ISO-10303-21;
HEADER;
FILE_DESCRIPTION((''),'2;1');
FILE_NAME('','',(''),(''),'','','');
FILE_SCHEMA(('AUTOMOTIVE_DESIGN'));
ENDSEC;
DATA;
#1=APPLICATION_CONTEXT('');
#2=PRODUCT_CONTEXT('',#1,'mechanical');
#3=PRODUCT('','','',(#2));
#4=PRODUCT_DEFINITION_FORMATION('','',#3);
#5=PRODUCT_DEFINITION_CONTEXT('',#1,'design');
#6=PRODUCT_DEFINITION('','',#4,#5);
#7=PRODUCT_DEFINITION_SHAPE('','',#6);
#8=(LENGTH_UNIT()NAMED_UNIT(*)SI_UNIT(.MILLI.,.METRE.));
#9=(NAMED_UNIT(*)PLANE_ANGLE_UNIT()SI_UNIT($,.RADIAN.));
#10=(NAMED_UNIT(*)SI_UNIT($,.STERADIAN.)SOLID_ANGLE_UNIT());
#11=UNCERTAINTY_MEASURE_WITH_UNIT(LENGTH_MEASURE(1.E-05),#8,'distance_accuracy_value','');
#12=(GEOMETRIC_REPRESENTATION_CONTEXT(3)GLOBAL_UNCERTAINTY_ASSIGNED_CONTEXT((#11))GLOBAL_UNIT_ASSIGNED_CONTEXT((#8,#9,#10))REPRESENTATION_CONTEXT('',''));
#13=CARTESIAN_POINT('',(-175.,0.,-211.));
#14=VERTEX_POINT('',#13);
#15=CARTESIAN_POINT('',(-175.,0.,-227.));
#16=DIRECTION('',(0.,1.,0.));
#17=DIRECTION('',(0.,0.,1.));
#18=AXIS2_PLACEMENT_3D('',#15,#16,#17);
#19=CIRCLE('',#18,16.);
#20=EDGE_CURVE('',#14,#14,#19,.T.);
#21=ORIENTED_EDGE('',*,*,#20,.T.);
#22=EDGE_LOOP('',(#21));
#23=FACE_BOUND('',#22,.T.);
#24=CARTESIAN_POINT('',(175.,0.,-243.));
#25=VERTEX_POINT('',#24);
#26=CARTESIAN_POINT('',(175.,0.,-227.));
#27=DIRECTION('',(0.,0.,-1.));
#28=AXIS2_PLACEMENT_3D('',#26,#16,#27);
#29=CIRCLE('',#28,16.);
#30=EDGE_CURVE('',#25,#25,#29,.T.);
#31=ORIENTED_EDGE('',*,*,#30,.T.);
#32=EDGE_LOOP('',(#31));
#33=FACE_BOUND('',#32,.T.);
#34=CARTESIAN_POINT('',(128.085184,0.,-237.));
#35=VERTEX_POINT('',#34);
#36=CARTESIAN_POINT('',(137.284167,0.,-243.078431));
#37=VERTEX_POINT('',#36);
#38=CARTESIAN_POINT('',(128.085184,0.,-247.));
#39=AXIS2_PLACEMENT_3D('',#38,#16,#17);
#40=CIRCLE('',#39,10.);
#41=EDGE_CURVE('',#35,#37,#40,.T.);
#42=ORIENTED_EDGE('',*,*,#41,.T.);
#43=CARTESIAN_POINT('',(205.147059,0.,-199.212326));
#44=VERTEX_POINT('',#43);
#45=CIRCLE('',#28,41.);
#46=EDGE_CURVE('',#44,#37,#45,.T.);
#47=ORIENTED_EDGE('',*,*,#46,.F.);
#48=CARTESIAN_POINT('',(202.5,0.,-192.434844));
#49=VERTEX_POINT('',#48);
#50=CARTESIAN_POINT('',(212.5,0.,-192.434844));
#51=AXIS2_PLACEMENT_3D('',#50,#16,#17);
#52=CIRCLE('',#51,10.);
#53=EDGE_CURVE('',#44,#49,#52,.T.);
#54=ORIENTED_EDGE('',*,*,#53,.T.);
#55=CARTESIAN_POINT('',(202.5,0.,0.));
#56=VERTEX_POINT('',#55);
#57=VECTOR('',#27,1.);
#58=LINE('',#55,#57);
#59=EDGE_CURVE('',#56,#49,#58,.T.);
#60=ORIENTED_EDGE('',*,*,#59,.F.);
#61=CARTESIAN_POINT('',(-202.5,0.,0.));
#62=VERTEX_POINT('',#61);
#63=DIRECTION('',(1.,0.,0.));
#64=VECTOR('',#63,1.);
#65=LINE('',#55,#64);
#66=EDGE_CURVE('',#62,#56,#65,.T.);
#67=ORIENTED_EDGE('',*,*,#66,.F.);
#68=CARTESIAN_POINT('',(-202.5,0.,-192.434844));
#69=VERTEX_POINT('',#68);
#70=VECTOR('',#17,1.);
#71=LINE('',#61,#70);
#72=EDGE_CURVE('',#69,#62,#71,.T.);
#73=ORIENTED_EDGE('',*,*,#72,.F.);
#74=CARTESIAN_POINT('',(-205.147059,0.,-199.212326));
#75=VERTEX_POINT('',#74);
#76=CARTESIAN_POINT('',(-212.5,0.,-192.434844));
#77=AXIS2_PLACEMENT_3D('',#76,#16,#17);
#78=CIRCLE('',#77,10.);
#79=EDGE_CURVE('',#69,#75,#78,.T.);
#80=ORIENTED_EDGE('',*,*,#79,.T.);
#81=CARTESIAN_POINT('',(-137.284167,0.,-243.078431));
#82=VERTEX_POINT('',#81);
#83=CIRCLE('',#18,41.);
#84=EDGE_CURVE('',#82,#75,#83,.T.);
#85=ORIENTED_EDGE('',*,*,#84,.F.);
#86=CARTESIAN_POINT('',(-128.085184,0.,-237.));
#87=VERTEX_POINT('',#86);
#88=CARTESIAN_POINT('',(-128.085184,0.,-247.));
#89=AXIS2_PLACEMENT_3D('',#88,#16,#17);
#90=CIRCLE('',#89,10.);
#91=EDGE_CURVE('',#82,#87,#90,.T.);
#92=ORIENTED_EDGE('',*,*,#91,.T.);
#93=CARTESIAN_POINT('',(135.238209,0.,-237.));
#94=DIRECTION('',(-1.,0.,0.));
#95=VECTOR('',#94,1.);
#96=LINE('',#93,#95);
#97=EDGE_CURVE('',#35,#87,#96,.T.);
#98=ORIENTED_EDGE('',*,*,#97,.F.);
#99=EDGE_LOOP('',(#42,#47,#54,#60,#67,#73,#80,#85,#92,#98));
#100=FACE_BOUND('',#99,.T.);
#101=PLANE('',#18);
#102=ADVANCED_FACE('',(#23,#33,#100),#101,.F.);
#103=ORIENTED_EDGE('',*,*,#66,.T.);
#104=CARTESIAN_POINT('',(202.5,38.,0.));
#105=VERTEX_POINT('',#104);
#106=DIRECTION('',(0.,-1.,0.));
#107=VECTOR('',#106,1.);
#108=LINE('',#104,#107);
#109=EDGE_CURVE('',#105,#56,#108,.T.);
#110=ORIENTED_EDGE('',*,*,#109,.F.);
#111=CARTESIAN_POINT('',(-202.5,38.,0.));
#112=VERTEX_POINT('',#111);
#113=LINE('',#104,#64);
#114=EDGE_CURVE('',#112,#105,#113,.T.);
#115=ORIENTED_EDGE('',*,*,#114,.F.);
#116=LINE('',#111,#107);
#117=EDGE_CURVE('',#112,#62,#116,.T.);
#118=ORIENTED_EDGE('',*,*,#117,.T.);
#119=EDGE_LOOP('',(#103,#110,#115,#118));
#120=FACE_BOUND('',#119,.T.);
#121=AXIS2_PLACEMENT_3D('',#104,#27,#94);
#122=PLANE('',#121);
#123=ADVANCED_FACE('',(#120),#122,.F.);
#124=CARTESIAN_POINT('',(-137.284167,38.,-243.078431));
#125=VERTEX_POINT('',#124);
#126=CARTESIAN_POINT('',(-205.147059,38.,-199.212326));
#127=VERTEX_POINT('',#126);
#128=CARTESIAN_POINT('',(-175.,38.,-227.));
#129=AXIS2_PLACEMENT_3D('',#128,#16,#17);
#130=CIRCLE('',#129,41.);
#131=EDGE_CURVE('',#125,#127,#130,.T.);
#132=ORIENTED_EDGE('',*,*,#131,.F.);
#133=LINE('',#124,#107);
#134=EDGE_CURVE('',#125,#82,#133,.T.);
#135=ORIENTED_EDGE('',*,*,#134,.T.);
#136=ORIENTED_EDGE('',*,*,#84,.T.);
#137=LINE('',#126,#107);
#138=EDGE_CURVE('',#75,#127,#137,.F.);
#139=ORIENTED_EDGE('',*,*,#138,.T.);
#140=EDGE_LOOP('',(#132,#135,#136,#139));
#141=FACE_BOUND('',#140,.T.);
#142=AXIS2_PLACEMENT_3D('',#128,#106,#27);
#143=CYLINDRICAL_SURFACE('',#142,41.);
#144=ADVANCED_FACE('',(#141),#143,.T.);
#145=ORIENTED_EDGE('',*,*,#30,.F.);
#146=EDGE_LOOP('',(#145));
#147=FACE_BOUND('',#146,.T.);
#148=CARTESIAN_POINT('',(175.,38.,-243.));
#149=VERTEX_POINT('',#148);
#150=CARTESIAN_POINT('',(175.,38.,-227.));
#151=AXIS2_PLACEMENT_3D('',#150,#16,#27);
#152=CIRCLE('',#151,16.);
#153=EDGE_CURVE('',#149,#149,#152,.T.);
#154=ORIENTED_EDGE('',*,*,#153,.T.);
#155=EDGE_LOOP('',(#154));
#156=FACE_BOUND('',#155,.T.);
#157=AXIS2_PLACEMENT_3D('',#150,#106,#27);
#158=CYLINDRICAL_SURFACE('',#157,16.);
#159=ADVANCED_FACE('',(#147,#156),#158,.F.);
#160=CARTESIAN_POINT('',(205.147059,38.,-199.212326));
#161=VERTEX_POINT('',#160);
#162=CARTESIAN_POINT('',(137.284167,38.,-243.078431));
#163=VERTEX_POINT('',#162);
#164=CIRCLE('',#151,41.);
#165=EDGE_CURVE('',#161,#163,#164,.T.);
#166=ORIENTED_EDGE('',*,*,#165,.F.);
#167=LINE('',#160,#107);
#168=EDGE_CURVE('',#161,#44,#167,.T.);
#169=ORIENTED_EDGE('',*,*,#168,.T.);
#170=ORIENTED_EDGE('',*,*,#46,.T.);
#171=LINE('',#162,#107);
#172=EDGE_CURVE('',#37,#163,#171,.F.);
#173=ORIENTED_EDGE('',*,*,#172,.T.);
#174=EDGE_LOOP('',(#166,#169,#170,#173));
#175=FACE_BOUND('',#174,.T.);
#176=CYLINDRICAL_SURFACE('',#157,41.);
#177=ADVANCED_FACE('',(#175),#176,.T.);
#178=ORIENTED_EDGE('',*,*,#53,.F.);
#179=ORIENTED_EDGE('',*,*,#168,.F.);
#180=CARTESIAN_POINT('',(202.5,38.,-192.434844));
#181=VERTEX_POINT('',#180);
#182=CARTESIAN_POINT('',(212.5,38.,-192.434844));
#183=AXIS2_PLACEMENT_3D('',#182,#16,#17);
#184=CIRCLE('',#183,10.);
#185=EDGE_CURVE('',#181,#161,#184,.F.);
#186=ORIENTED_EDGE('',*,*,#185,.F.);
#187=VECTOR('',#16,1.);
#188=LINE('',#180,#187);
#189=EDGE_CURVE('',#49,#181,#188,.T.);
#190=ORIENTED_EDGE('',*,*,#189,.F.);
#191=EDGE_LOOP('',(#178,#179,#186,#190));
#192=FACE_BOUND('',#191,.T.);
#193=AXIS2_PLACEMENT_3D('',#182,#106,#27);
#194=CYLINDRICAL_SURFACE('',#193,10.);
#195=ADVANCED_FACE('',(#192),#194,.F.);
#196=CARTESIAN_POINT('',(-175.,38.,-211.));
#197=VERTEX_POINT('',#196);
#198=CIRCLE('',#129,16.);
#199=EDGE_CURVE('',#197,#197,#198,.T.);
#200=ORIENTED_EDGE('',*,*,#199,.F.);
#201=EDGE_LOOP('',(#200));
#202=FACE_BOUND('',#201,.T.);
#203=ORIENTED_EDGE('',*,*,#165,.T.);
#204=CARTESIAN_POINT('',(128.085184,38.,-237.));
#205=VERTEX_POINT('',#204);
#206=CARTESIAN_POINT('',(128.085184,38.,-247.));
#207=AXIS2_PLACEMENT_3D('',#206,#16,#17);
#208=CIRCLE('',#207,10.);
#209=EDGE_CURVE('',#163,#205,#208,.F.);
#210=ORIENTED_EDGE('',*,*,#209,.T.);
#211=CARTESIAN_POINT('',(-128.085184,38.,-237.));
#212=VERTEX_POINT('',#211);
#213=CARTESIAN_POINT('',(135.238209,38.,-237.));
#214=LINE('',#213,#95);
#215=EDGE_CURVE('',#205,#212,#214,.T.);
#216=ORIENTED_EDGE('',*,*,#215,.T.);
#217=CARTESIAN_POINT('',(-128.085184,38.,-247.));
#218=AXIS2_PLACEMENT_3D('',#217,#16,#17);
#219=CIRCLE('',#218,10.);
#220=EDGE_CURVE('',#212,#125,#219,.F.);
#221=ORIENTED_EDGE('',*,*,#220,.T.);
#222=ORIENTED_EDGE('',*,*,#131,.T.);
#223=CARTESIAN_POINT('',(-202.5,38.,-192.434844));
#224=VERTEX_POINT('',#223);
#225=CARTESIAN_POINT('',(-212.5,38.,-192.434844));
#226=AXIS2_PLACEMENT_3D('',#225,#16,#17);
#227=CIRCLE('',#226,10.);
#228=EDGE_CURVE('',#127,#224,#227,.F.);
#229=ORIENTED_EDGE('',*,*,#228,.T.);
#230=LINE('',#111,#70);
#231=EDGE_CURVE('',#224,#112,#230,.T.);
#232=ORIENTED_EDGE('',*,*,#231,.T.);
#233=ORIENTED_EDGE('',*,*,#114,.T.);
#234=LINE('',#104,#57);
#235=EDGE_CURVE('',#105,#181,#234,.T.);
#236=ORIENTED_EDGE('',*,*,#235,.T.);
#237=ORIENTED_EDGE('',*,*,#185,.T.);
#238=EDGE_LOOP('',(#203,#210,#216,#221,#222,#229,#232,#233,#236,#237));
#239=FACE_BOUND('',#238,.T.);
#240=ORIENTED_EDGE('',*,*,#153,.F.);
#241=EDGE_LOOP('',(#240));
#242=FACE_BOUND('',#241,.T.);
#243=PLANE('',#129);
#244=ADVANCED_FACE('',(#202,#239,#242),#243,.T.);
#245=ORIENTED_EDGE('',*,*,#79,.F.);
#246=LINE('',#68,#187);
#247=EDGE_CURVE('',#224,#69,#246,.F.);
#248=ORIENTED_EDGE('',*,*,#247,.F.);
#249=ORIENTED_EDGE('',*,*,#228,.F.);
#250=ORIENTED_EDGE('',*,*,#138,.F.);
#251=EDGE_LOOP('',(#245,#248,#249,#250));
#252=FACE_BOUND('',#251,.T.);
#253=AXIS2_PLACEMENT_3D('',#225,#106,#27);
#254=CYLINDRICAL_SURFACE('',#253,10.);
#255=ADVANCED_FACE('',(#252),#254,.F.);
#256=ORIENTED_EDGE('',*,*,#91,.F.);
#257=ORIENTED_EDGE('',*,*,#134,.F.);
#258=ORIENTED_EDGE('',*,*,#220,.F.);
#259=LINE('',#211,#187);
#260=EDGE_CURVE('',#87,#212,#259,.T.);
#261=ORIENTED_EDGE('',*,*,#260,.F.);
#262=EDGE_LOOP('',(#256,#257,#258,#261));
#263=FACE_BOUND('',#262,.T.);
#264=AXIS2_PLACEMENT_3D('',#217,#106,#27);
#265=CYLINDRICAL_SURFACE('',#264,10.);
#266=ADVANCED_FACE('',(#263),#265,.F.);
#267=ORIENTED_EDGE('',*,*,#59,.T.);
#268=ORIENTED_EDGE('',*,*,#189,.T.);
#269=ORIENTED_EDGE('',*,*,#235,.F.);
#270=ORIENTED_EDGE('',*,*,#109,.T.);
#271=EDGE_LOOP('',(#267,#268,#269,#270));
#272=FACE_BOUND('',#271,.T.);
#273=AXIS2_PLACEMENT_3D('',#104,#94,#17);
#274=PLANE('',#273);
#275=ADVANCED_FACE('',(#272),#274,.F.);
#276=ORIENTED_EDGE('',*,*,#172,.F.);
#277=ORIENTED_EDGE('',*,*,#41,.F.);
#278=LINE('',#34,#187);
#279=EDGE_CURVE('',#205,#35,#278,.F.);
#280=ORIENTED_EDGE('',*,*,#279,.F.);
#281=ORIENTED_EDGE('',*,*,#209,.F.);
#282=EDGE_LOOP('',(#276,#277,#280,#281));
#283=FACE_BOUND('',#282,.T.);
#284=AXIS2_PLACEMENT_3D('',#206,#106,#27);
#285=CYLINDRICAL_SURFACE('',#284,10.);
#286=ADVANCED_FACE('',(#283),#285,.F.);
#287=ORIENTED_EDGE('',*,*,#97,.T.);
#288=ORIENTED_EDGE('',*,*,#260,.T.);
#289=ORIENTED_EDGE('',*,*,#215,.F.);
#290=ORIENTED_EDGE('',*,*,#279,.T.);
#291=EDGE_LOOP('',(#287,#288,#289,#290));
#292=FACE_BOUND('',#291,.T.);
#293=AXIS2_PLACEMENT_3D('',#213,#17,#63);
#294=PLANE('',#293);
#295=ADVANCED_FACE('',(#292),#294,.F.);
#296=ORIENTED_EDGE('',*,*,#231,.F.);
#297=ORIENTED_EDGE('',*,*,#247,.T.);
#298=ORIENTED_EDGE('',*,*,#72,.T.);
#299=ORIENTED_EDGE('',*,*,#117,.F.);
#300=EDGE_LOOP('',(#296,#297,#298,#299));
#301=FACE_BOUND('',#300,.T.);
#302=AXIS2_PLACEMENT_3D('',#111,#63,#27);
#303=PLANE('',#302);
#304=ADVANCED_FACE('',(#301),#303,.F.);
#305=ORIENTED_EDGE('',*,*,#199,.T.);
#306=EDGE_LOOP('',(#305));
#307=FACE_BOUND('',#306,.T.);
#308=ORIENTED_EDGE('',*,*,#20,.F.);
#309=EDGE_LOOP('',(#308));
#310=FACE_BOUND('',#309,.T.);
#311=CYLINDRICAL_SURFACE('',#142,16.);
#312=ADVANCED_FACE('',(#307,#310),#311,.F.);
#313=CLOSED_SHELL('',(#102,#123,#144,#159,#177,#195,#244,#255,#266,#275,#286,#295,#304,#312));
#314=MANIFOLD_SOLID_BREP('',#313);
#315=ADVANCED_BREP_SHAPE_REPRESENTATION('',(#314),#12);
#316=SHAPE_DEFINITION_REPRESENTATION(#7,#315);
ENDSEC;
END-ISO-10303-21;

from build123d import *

# Parameters (mm, degrees)
SKETCH1_R           = 16
BOSS_EXTRUDE1_DEPTH = 38
FILLET1_R           = 10


with BuildPart() as part:
    # Sketch1 → Boss-Extrude1 (new body)
    with BuildSketch(Plane(origin=(0, 0, 0), x_dir=(1, 0, 0), z_dir=(0, 1, 0))):
        with BuildLine():
            Line((202.5, 0), (-202.5, 0))
            Line((-202.5, 0), (-202.5, 196.590297601))
            ThreePointArc((-202.5, 196.590297601), (-196.114542141, 262.145072346), (-135.238209296, 237))
            Line((-135.238209296, 237), (135.238209296, 237))
            ThreePointArc((135.238209296, 237), (196.114542141, 262.145072346), (202.5, 196.590297601))
            Line((202.5, 196.590297601), (202.5, 0))
        make_face()
        with Locations((-175, 227)):
            Circle(SKETCH1_R, mode=Mode.SUBTRACT)
        with Locations((175, 227)):
            Circle(SKETCH1_R, mode=Mode.SUBTRACT)
    extrude(amount=BOSS_EXTRUDE1_DEPTH)

    # Fillet1
    fillet1_edges = [part.edges().sort_by_distance(p)[0] for p in [
        (-202.5, 19, -196.590297601),
        (-135.238209296, 19, -237),
        (135.238209296, 19, -237),
        (202.5, 19, -196.590297601),
    ]]
    fillet(fillet1_edges, radius=FILLET1_R)


solid = part.part
